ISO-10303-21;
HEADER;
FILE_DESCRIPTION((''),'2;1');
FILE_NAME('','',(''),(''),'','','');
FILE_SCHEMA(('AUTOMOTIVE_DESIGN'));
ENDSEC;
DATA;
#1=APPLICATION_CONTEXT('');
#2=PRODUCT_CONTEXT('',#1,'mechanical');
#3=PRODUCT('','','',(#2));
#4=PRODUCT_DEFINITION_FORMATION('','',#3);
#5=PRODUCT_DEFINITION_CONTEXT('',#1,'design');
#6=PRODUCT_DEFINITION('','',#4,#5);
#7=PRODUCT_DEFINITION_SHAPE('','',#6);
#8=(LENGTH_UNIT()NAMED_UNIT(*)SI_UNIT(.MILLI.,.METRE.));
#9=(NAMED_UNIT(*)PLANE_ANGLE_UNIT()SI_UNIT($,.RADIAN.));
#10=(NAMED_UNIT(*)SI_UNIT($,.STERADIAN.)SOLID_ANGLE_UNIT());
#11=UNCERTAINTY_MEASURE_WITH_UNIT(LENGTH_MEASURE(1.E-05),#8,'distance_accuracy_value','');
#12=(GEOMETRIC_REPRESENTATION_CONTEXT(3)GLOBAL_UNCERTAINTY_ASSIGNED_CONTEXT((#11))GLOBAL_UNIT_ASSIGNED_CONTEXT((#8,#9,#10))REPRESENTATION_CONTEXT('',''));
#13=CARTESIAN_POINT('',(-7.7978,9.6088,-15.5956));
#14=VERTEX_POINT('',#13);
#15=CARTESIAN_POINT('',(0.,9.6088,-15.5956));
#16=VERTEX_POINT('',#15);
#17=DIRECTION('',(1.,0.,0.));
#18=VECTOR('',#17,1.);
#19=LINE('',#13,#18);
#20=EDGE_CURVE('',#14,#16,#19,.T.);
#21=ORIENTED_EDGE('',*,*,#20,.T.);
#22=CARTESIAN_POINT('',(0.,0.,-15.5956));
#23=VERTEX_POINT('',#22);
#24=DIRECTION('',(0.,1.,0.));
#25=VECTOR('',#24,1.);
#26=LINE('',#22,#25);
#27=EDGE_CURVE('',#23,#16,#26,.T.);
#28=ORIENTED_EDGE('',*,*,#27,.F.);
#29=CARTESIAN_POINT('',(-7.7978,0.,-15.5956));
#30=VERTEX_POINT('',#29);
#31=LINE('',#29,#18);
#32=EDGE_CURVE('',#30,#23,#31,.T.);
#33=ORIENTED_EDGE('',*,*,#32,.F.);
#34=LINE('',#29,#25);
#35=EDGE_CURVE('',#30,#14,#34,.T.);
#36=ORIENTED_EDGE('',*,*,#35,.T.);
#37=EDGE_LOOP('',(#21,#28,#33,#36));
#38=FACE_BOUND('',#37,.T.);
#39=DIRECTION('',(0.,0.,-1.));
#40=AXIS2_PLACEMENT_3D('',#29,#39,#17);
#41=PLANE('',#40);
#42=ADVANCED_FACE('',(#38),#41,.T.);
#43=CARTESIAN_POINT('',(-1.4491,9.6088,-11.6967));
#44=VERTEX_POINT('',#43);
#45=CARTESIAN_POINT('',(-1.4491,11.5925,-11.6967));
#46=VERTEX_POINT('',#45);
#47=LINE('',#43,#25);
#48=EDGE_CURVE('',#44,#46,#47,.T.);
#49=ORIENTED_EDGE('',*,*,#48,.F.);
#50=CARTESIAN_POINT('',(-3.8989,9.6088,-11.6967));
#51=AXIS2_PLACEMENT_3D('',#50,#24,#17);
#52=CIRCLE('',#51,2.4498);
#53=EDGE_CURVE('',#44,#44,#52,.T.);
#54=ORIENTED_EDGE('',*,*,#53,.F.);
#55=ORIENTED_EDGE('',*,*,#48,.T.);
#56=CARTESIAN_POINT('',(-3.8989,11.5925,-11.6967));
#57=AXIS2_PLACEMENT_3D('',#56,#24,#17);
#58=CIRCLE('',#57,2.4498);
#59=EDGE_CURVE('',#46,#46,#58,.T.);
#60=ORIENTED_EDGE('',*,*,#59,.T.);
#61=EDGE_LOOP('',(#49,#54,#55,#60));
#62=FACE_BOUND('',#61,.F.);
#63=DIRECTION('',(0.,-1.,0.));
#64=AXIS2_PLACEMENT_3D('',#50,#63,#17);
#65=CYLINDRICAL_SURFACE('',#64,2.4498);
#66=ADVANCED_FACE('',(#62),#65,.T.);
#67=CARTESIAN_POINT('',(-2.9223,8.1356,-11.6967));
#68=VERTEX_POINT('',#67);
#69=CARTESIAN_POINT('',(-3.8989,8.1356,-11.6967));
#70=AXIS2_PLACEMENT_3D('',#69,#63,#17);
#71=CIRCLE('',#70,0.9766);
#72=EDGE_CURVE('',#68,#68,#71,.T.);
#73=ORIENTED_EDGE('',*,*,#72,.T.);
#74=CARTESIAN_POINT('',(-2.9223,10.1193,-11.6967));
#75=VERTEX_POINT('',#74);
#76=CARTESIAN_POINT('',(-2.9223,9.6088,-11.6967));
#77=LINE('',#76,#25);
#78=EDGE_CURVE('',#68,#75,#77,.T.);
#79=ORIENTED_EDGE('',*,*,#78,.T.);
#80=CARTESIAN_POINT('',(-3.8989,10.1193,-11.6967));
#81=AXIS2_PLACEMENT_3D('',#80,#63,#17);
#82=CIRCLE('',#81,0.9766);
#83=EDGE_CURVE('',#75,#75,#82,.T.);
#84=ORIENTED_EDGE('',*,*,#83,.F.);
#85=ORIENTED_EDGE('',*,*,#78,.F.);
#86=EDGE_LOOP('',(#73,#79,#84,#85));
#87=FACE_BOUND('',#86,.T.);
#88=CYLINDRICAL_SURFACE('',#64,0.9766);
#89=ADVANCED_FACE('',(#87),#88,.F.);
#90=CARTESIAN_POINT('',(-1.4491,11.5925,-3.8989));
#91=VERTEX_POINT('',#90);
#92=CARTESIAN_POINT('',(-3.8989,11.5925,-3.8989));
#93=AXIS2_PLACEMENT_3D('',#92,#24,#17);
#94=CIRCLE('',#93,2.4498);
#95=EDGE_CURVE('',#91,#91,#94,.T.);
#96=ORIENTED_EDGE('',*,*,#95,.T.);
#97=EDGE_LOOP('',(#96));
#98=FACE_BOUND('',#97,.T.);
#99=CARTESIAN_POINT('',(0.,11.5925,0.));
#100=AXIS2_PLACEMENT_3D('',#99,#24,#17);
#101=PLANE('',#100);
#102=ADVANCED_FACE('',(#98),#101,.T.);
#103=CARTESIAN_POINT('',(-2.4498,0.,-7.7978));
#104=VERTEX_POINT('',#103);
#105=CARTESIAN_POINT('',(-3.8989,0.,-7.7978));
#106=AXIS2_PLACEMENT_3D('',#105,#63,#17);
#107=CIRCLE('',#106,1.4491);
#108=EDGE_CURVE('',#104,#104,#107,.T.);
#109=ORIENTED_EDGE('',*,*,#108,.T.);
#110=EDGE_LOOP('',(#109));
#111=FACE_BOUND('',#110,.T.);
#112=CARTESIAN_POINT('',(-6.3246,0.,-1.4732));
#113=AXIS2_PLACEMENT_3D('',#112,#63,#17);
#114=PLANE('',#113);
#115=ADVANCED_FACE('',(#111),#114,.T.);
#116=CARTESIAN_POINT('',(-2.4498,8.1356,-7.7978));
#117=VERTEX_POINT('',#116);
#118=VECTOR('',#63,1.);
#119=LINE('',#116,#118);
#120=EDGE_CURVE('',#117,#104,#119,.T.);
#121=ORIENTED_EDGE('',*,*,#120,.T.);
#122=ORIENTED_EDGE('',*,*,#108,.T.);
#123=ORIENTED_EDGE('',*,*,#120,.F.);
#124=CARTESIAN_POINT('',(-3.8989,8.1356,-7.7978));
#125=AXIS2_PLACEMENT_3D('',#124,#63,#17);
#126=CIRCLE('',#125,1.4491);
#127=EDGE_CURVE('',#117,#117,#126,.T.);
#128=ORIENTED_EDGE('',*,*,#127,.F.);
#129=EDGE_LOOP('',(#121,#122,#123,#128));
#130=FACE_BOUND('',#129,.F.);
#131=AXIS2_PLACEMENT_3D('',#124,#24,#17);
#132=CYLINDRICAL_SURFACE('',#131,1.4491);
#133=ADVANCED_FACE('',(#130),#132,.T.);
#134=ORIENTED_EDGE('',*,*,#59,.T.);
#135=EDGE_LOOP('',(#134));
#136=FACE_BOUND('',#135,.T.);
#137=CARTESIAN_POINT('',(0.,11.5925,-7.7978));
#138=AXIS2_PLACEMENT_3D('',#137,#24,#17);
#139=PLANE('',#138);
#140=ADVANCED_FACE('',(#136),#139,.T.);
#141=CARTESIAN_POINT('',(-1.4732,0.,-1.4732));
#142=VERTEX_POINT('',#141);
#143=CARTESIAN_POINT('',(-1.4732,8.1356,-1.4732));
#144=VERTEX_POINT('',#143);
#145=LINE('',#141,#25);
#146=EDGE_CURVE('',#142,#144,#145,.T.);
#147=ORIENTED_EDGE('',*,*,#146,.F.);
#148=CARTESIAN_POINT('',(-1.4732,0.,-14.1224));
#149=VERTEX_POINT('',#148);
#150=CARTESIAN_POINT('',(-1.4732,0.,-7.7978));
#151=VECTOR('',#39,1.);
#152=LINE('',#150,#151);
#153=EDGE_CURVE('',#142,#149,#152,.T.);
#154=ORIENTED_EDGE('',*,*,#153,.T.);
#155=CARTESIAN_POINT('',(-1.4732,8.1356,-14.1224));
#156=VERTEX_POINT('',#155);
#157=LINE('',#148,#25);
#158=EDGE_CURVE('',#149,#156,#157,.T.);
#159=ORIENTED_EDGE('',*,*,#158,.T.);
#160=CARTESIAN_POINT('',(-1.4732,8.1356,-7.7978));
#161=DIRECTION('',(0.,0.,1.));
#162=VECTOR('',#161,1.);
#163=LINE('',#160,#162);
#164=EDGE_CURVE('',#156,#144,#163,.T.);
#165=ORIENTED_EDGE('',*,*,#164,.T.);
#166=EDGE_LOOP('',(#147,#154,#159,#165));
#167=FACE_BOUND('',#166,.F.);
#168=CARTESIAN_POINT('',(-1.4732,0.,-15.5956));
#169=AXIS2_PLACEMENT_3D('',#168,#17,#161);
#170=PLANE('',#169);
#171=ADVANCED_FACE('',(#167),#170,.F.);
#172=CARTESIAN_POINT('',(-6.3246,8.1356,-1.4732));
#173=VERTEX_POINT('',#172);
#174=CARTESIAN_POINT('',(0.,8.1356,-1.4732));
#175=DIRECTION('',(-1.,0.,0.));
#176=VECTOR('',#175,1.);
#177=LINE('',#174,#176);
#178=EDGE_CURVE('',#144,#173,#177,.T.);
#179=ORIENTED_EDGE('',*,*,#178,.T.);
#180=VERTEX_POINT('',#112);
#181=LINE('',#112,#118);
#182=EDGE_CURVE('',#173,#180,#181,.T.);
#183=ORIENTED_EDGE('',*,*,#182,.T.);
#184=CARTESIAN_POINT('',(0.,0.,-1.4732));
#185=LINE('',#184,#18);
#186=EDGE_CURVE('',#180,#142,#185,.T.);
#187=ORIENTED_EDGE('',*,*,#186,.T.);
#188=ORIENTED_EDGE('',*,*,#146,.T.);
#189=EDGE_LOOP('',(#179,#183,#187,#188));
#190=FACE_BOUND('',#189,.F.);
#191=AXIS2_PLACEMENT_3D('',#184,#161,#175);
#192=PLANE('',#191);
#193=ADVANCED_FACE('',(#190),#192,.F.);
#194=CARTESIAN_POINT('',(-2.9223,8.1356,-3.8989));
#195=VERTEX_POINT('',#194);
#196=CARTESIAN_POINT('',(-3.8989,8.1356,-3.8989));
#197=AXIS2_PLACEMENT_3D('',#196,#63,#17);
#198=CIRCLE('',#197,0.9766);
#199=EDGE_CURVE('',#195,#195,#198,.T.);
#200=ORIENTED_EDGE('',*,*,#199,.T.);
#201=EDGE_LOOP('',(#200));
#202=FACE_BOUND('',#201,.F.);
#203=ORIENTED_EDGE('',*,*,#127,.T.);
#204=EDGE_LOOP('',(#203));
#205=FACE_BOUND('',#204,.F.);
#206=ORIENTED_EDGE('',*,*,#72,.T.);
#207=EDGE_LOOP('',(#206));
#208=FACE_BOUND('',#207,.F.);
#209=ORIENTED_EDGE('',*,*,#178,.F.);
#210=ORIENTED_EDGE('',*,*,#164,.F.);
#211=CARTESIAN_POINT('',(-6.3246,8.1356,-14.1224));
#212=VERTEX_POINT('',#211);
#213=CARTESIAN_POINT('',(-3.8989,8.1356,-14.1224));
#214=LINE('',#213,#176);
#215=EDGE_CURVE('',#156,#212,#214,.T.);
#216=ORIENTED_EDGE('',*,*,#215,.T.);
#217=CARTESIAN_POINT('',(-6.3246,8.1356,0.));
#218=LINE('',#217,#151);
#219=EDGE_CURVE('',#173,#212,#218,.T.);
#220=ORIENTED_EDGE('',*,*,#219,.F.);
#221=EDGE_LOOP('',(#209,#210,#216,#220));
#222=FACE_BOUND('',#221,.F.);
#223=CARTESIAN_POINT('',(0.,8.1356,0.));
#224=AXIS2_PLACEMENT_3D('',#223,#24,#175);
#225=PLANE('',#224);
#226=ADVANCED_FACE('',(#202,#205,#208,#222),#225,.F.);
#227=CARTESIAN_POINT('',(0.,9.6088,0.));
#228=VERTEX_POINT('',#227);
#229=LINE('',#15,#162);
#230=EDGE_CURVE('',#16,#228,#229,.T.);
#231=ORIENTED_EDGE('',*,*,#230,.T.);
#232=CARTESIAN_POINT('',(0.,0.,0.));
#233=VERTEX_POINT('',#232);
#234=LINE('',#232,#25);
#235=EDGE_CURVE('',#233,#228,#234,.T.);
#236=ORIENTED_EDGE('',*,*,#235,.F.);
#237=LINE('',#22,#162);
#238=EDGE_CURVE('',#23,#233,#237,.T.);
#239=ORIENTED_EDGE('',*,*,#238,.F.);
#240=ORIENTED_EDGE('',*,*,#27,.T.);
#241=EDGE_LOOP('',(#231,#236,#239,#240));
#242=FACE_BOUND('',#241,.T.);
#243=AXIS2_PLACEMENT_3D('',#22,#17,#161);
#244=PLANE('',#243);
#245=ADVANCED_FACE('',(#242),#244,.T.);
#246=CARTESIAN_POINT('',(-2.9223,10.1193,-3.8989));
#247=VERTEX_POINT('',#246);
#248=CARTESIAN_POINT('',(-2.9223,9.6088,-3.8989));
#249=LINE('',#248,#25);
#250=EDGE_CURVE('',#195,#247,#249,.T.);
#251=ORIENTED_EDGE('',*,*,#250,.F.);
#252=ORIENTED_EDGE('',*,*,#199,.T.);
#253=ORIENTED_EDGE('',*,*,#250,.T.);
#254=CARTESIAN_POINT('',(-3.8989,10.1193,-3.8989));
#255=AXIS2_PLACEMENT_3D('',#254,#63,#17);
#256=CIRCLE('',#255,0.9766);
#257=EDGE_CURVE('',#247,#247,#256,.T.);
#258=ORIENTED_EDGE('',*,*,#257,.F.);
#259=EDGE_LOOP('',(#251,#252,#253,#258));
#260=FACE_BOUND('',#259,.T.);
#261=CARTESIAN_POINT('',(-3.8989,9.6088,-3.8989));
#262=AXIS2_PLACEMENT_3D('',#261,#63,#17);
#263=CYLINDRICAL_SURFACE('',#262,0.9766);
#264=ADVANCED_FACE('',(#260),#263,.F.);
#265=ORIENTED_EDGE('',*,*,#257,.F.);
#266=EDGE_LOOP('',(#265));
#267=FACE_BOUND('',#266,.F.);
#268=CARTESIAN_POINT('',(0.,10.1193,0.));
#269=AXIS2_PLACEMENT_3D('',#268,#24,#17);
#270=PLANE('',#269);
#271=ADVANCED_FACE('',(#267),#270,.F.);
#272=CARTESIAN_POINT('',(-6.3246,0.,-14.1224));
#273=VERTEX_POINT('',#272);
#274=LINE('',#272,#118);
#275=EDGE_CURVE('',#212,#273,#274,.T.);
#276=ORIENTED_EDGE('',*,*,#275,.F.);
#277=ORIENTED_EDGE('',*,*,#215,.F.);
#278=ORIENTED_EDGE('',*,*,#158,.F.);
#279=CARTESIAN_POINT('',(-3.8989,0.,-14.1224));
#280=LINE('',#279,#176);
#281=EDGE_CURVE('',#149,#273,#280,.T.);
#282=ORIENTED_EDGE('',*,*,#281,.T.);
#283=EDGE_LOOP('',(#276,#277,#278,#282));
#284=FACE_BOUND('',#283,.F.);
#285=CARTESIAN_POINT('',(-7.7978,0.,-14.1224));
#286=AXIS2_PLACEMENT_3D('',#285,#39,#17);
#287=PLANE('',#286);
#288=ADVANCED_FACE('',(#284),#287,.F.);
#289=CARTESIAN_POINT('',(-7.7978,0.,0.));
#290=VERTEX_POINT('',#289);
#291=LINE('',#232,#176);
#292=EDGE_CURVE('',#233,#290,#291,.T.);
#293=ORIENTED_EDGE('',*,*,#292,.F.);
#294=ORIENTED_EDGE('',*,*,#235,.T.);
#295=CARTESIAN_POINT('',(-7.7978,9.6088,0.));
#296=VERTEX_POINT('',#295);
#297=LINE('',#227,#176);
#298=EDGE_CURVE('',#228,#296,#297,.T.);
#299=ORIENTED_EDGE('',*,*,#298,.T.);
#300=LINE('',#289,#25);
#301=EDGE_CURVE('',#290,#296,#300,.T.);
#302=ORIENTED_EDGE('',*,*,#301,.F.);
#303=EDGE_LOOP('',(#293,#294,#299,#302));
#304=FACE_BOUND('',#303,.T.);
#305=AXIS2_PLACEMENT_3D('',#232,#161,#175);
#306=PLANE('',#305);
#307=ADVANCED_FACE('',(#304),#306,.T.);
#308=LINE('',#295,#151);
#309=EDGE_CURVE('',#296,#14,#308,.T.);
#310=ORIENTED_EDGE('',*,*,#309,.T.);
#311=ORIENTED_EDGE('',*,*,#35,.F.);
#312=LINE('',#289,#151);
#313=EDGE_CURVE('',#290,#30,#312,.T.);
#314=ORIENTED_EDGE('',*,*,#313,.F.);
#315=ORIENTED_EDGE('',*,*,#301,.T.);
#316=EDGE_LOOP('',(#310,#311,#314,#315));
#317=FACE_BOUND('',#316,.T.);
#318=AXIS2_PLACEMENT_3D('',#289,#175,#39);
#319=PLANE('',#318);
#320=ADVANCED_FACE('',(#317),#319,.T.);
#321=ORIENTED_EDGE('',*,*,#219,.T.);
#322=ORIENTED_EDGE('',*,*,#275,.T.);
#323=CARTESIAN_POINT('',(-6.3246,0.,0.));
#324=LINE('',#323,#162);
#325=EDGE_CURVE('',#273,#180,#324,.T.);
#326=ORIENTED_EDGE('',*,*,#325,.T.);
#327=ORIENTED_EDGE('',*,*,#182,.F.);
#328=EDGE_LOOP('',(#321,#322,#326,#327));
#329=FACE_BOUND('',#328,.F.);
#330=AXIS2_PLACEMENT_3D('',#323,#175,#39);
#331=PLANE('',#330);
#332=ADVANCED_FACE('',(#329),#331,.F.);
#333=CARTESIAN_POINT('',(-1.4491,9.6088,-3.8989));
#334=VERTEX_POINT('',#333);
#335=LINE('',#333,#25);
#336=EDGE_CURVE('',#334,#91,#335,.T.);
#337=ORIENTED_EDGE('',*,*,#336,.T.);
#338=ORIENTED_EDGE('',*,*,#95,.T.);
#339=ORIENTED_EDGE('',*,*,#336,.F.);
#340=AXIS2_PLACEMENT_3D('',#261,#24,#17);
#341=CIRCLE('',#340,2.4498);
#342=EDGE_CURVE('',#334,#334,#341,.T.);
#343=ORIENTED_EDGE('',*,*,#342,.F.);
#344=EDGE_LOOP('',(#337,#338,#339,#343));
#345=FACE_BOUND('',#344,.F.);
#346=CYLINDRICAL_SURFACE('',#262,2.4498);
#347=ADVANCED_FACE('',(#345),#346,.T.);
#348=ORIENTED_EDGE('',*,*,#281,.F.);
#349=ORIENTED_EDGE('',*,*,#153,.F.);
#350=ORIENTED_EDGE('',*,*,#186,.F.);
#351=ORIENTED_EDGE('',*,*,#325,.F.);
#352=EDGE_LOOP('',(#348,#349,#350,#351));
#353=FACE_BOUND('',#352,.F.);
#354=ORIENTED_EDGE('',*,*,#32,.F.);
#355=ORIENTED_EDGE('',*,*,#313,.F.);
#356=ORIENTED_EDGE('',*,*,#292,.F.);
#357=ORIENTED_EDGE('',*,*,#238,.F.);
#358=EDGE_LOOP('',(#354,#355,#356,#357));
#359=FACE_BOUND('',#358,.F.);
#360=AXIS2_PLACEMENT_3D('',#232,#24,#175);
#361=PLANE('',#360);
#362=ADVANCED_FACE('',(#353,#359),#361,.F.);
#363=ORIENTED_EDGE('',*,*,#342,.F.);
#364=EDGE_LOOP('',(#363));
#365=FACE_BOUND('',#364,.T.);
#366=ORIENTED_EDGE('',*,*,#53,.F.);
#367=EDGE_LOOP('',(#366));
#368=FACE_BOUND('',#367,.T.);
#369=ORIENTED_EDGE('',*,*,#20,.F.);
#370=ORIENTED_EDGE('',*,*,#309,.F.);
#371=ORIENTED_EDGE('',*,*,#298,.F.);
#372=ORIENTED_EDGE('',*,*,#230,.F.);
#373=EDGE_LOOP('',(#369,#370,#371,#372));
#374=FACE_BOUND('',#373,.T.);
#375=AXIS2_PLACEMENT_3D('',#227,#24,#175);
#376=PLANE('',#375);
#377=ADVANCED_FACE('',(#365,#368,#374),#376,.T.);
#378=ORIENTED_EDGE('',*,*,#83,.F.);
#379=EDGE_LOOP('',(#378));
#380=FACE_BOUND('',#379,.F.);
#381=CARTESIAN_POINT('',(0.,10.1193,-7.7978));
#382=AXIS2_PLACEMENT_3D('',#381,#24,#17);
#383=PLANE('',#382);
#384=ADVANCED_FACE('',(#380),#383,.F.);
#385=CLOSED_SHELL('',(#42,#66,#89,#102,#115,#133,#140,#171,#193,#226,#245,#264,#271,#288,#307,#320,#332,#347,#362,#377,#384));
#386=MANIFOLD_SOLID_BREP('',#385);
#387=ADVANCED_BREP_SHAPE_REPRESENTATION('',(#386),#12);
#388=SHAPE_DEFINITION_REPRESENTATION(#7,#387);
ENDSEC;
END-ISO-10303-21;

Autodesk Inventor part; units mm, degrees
ref_plane "YZ Plane" through (0, 0, 0) normal (1, 0, 0) x (0, 1, 0)
ref_plane "XZ Plane" through (0, 0, 0) normal (0, 1, 0) x (-1, 0, 0)
ref_plane "XY Plane" through (0, 0, 0) normal (0, 0, 1) x (1, 0, 0)
sketch "Sketch1" plane through (0, 0, 0) normal (0, 1, 0) x (-1, 0, 0)
  line L0 (0, 0) -> (7.7978, 0)
  line L1 (7.7978, 0) -> (7.7978, -15.5956)
  line L2 (7.7978, -15.5956) -> (0, -15.5956)
  line L3 (0, -15.5956) -> (0, 0)
  dimension "d0" = 7.7978
  dimension "d8" = 15.5956
extrude "Extrusion1" add sketch "Sketch1" along normal blind 9.6088
sketch "Sketch2" plane through (0, 9.6088, 0) normal (0, 1, 0) x (1, 0, 0)
  line L0 (-7.7978, 0) -> (0, 0) construction
  line L1 (0, 0) -> (-3.8989, 0) construction
  line L2 (-3.8989, 0) -> (-3.8989, 3.8989) construction
  line L3 (-3.8989, 3.8989) -> (0, 3.8989) construction
  line L4 (0, 3.8989) -> (0, 0) construction
  circle A0 centre (-3.8989, 3.8989) radius 2.4498
  dimension "d11" = 3.8989
  dimension "d12" = 3.8989
  dimension "d13" = 4.8997
extrude "Extrusion2" add sketch "Sketch2" along normal blind 1.9837
pattern_linear "Rectangular Pattern1" count 2 spacing 7.7978 along (0, 0, -1) of "Extrusion2"
shell "Shell1" thickness 1.4732 removed faces 1 at (-2.5993, 0, -5.1985)
sketch "Sketch3" plane through (-6.3246, 8.1356, -1.4732) normal (0, -1, 0) x (1, 0, 0)
  circle A0 centre (2.4257, -2.4257) radius 2.4498 construction
  circle A1 centre (2.4257, -10.2235) radius 2.4498 construction
  line L0 (2.4257, -2.4257) -> (2.4257, -10.2235) construction
  circle A2 centre (2.4257, -6.3246) radius 1.4491
  point P0 (6.3246, 1.4732)
extrude "Extrusion3" add sketch "Sketch3" along normal up to surface (8.1356 mm away)
equation "\"d0\" = d1"
equation "\"d8\" = 2 * d1"
equation "\"d9\" = d3"
equation "\"d11\" = 0.5 * d1"
equation "\"d12\" = 0.5 * d1"
equation "\"d13\" = d4"
equation "\"d14\" = d5"
equation "\"d18\" = d1"
equation "\"d19\" = d6"
equation "\"d20\" = d5"
equation "\"d1\" = 7.7978"
equation "\"d2\" = 3.23596"
equation "\"d3\" = 9.60882"
equation "\"d4\" = 4.89966"
equation "\"d5\" = 1.98374"
equation "\"d6\" = 1.4732"
equation "\"d7\" = 1.23952"
properties part number "1x2 tall white pegged" material "ABS Plastic"
